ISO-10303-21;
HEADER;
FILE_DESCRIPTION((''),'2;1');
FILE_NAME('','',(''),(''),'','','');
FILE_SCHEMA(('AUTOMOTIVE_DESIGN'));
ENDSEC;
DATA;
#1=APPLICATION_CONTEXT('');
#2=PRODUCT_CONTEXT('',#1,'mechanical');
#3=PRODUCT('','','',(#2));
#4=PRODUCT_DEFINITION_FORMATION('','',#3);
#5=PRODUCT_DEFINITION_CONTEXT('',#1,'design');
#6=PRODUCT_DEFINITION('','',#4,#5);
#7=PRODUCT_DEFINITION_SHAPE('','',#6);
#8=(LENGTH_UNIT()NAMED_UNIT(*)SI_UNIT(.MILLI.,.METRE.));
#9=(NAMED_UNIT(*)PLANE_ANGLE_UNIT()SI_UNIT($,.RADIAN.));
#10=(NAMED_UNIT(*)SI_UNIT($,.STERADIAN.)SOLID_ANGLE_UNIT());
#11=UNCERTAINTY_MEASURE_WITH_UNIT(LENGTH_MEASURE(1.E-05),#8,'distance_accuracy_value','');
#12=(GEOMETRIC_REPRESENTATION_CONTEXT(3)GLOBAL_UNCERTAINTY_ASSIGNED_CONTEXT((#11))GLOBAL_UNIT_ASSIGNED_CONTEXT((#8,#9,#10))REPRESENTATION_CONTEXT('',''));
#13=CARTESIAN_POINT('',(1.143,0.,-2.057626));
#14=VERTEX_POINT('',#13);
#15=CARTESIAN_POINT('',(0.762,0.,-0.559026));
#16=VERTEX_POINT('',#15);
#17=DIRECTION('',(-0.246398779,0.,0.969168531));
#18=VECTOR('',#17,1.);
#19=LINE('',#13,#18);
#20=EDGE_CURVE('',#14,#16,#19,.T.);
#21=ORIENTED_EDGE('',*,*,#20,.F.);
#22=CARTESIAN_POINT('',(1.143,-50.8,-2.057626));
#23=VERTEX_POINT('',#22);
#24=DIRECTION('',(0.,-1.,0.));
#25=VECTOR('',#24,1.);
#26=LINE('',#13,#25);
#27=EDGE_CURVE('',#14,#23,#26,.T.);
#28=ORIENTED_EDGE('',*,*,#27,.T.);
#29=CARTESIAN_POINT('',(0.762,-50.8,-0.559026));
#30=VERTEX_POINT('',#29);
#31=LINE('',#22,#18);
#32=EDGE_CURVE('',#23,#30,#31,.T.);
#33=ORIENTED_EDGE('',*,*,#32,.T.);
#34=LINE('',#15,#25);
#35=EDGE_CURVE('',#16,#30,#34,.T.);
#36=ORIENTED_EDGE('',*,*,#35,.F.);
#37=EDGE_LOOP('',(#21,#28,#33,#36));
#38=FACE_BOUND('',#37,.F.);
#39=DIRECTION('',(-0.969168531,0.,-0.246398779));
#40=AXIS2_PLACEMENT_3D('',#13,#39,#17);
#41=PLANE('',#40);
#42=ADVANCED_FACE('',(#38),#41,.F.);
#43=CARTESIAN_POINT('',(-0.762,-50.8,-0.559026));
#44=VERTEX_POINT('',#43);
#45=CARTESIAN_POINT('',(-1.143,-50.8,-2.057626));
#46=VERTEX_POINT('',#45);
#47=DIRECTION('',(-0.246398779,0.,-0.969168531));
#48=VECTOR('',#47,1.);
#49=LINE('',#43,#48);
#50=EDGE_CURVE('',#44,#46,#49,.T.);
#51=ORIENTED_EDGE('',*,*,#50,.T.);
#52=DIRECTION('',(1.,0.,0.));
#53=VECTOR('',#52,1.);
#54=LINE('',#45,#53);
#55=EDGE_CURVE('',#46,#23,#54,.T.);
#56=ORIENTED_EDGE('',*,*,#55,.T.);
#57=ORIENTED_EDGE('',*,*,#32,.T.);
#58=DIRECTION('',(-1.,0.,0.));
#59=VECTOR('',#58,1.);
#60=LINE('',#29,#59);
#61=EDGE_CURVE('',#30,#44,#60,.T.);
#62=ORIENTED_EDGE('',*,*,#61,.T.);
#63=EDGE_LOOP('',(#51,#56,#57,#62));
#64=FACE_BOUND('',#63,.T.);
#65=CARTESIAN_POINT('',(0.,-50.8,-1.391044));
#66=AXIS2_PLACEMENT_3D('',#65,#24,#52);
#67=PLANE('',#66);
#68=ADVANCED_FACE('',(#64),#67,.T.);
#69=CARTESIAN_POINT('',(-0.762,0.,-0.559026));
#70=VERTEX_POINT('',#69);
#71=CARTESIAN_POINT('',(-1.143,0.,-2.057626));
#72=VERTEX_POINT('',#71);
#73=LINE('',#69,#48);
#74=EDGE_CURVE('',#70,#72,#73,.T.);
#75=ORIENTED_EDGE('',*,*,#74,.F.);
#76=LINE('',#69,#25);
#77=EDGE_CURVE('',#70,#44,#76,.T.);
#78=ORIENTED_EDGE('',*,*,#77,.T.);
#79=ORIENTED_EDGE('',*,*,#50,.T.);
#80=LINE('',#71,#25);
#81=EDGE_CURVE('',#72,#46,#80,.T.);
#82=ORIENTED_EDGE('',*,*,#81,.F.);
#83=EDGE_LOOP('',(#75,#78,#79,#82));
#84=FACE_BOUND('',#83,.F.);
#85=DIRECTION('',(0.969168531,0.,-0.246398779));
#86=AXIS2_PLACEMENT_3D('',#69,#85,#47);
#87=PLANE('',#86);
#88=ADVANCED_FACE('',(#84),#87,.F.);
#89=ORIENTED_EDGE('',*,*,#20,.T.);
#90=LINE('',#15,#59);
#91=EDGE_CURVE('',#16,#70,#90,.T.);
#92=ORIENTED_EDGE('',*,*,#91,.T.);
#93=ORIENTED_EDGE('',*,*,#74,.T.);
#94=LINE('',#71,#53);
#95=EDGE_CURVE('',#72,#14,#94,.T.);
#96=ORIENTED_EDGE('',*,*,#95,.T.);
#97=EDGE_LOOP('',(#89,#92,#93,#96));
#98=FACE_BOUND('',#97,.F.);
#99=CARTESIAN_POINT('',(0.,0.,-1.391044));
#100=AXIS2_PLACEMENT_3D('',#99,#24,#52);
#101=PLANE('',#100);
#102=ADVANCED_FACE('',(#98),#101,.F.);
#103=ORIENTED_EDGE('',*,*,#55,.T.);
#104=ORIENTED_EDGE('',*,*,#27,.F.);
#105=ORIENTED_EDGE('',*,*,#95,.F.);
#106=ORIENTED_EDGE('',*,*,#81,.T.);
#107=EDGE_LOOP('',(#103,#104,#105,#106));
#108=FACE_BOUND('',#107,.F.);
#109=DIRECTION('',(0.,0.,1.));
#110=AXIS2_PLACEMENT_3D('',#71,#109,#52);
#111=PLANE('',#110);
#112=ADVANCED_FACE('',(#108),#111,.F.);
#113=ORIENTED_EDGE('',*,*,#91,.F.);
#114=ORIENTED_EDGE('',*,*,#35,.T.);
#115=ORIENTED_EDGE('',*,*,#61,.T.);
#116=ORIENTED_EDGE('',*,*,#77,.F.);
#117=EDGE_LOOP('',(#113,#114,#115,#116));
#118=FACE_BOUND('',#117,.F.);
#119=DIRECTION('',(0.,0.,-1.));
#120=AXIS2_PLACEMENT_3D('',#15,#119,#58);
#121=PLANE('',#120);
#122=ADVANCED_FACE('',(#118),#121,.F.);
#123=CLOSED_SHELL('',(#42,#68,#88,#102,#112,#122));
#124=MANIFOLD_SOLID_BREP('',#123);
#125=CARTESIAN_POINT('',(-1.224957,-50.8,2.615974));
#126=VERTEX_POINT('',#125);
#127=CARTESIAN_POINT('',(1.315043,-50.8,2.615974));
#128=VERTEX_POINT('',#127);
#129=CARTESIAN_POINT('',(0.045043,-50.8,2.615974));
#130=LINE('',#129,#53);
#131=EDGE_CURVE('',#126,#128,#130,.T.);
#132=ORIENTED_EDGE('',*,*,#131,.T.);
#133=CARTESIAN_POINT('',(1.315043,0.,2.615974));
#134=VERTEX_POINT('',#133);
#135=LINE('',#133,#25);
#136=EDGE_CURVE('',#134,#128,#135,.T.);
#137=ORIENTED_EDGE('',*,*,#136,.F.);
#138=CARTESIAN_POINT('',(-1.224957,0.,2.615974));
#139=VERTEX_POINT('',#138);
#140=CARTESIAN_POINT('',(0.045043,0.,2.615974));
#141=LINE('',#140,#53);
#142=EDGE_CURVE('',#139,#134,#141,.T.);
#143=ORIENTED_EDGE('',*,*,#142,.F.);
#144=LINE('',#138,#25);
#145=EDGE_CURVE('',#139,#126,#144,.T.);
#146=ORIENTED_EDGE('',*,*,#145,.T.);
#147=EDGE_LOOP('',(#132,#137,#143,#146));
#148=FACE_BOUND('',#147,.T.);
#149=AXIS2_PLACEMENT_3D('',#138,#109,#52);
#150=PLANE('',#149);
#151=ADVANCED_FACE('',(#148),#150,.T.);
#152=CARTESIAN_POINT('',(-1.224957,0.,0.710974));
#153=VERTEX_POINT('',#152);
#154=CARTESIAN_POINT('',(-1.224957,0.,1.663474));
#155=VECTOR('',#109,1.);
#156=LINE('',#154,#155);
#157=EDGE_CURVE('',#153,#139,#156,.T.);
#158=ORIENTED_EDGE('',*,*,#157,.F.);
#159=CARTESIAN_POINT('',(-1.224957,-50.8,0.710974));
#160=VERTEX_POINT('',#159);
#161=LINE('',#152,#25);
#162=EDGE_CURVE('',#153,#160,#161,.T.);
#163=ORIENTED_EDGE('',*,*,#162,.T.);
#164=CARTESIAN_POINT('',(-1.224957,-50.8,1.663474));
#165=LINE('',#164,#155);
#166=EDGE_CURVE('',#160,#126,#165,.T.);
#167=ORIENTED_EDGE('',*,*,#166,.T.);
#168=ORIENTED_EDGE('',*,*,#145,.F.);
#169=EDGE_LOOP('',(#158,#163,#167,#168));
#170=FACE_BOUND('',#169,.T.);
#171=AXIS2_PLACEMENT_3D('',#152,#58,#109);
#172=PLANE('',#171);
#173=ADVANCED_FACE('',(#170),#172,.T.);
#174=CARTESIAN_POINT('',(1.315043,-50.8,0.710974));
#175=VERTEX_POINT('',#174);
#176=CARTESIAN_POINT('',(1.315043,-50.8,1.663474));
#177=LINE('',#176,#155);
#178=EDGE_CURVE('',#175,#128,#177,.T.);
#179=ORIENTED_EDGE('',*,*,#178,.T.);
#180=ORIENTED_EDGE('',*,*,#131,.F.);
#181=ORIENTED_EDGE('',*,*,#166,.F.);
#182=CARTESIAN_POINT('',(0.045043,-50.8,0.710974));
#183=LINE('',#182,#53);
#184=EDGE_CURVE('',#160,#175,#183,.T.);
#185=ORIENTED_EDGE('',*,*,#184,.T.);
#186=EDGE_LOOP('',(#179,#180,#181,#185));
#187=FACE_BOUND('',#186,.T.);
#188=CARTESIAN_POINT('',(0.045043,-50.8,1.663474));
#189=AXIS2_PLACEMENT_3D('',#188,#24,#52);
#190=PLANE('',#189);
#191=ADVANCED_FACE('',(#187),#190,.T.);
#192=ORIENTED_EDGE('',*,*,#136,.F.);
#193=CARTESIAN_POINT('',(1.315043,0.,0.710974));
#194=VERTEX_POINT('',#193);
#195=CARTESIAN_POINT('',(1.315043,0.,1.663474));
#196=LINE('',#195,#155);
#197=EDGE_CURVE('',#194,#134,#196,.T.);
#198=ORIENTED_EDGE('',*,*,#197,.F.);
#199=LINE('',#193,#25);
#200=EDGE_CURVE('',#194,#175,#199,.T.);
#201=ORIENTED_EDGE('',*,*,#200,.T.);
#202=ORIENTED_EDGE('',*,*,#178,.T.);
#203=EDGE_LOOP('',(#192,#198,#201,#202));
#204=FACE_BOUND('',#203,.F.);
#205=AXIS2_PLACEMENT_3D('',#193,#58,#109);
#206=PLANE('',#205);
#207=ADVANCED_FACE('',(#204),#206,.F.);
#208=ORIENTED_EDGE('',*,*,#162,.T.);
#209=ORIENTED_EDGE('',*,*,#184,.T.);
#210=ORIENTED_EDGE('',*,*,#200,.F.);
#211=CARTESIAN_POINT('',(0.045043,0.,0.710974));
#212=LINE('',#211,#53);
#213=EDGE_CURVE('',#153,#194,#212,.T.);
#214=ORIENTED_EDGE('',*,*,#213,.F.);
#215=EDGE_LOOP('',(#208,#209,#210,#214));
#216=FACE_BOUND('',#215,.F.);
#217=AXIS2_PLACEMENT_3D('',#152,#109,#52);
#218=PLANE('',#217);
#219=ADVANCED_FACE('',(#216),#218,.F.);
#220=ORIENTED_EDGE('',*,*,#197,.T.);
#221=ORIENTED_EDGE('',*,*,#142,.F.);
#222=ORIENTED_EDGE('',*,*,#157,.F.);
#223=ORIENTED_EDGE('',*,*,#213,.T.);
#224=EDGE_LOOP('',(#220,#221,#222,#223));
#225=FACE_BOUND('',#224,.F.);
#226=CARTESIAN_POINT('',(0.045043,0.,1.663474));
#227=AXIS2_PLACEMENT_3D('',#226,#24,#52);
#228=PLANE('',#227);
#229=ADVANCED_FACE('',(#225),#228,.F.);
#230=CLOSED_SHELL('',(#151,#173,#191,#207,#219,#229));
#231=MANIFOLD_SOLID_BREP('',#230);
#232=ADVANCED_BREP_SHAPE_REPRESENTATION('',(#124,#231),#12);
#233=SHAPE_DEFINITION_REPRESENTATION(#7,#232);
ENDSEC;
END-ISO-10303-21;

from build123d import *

# Parameters (mm, degrees)
F2_DEPTH = 50.8
F1_W     = 2.54
F1_H     = 1.905
F3_DEPTH = 50.8


with BuildPart() as f2:
    # F0 (on Front) → F2 (new body)
    with BuildSketch(Plane.XZ):
        Polygon((-1.143, -2.057626), (0, -2.057626), (1.143, -2.057626), (0.762, -0.559026), (0, -0.559026), (-0.762, -0.559026), align=None)
    extrude(amount=F2_DEPTH)


with BuildPart() as f3:
    # F1 (on Front) → F3 (new body)
    with BuildSketch(Plane.XZ):
        with Locations((0.045043, 1.663474)):
            Rectangle(F1_W, F1_H)
    extrude(amount=F3_DEPTH)


solid = Compound([f2.part, f3.part])
